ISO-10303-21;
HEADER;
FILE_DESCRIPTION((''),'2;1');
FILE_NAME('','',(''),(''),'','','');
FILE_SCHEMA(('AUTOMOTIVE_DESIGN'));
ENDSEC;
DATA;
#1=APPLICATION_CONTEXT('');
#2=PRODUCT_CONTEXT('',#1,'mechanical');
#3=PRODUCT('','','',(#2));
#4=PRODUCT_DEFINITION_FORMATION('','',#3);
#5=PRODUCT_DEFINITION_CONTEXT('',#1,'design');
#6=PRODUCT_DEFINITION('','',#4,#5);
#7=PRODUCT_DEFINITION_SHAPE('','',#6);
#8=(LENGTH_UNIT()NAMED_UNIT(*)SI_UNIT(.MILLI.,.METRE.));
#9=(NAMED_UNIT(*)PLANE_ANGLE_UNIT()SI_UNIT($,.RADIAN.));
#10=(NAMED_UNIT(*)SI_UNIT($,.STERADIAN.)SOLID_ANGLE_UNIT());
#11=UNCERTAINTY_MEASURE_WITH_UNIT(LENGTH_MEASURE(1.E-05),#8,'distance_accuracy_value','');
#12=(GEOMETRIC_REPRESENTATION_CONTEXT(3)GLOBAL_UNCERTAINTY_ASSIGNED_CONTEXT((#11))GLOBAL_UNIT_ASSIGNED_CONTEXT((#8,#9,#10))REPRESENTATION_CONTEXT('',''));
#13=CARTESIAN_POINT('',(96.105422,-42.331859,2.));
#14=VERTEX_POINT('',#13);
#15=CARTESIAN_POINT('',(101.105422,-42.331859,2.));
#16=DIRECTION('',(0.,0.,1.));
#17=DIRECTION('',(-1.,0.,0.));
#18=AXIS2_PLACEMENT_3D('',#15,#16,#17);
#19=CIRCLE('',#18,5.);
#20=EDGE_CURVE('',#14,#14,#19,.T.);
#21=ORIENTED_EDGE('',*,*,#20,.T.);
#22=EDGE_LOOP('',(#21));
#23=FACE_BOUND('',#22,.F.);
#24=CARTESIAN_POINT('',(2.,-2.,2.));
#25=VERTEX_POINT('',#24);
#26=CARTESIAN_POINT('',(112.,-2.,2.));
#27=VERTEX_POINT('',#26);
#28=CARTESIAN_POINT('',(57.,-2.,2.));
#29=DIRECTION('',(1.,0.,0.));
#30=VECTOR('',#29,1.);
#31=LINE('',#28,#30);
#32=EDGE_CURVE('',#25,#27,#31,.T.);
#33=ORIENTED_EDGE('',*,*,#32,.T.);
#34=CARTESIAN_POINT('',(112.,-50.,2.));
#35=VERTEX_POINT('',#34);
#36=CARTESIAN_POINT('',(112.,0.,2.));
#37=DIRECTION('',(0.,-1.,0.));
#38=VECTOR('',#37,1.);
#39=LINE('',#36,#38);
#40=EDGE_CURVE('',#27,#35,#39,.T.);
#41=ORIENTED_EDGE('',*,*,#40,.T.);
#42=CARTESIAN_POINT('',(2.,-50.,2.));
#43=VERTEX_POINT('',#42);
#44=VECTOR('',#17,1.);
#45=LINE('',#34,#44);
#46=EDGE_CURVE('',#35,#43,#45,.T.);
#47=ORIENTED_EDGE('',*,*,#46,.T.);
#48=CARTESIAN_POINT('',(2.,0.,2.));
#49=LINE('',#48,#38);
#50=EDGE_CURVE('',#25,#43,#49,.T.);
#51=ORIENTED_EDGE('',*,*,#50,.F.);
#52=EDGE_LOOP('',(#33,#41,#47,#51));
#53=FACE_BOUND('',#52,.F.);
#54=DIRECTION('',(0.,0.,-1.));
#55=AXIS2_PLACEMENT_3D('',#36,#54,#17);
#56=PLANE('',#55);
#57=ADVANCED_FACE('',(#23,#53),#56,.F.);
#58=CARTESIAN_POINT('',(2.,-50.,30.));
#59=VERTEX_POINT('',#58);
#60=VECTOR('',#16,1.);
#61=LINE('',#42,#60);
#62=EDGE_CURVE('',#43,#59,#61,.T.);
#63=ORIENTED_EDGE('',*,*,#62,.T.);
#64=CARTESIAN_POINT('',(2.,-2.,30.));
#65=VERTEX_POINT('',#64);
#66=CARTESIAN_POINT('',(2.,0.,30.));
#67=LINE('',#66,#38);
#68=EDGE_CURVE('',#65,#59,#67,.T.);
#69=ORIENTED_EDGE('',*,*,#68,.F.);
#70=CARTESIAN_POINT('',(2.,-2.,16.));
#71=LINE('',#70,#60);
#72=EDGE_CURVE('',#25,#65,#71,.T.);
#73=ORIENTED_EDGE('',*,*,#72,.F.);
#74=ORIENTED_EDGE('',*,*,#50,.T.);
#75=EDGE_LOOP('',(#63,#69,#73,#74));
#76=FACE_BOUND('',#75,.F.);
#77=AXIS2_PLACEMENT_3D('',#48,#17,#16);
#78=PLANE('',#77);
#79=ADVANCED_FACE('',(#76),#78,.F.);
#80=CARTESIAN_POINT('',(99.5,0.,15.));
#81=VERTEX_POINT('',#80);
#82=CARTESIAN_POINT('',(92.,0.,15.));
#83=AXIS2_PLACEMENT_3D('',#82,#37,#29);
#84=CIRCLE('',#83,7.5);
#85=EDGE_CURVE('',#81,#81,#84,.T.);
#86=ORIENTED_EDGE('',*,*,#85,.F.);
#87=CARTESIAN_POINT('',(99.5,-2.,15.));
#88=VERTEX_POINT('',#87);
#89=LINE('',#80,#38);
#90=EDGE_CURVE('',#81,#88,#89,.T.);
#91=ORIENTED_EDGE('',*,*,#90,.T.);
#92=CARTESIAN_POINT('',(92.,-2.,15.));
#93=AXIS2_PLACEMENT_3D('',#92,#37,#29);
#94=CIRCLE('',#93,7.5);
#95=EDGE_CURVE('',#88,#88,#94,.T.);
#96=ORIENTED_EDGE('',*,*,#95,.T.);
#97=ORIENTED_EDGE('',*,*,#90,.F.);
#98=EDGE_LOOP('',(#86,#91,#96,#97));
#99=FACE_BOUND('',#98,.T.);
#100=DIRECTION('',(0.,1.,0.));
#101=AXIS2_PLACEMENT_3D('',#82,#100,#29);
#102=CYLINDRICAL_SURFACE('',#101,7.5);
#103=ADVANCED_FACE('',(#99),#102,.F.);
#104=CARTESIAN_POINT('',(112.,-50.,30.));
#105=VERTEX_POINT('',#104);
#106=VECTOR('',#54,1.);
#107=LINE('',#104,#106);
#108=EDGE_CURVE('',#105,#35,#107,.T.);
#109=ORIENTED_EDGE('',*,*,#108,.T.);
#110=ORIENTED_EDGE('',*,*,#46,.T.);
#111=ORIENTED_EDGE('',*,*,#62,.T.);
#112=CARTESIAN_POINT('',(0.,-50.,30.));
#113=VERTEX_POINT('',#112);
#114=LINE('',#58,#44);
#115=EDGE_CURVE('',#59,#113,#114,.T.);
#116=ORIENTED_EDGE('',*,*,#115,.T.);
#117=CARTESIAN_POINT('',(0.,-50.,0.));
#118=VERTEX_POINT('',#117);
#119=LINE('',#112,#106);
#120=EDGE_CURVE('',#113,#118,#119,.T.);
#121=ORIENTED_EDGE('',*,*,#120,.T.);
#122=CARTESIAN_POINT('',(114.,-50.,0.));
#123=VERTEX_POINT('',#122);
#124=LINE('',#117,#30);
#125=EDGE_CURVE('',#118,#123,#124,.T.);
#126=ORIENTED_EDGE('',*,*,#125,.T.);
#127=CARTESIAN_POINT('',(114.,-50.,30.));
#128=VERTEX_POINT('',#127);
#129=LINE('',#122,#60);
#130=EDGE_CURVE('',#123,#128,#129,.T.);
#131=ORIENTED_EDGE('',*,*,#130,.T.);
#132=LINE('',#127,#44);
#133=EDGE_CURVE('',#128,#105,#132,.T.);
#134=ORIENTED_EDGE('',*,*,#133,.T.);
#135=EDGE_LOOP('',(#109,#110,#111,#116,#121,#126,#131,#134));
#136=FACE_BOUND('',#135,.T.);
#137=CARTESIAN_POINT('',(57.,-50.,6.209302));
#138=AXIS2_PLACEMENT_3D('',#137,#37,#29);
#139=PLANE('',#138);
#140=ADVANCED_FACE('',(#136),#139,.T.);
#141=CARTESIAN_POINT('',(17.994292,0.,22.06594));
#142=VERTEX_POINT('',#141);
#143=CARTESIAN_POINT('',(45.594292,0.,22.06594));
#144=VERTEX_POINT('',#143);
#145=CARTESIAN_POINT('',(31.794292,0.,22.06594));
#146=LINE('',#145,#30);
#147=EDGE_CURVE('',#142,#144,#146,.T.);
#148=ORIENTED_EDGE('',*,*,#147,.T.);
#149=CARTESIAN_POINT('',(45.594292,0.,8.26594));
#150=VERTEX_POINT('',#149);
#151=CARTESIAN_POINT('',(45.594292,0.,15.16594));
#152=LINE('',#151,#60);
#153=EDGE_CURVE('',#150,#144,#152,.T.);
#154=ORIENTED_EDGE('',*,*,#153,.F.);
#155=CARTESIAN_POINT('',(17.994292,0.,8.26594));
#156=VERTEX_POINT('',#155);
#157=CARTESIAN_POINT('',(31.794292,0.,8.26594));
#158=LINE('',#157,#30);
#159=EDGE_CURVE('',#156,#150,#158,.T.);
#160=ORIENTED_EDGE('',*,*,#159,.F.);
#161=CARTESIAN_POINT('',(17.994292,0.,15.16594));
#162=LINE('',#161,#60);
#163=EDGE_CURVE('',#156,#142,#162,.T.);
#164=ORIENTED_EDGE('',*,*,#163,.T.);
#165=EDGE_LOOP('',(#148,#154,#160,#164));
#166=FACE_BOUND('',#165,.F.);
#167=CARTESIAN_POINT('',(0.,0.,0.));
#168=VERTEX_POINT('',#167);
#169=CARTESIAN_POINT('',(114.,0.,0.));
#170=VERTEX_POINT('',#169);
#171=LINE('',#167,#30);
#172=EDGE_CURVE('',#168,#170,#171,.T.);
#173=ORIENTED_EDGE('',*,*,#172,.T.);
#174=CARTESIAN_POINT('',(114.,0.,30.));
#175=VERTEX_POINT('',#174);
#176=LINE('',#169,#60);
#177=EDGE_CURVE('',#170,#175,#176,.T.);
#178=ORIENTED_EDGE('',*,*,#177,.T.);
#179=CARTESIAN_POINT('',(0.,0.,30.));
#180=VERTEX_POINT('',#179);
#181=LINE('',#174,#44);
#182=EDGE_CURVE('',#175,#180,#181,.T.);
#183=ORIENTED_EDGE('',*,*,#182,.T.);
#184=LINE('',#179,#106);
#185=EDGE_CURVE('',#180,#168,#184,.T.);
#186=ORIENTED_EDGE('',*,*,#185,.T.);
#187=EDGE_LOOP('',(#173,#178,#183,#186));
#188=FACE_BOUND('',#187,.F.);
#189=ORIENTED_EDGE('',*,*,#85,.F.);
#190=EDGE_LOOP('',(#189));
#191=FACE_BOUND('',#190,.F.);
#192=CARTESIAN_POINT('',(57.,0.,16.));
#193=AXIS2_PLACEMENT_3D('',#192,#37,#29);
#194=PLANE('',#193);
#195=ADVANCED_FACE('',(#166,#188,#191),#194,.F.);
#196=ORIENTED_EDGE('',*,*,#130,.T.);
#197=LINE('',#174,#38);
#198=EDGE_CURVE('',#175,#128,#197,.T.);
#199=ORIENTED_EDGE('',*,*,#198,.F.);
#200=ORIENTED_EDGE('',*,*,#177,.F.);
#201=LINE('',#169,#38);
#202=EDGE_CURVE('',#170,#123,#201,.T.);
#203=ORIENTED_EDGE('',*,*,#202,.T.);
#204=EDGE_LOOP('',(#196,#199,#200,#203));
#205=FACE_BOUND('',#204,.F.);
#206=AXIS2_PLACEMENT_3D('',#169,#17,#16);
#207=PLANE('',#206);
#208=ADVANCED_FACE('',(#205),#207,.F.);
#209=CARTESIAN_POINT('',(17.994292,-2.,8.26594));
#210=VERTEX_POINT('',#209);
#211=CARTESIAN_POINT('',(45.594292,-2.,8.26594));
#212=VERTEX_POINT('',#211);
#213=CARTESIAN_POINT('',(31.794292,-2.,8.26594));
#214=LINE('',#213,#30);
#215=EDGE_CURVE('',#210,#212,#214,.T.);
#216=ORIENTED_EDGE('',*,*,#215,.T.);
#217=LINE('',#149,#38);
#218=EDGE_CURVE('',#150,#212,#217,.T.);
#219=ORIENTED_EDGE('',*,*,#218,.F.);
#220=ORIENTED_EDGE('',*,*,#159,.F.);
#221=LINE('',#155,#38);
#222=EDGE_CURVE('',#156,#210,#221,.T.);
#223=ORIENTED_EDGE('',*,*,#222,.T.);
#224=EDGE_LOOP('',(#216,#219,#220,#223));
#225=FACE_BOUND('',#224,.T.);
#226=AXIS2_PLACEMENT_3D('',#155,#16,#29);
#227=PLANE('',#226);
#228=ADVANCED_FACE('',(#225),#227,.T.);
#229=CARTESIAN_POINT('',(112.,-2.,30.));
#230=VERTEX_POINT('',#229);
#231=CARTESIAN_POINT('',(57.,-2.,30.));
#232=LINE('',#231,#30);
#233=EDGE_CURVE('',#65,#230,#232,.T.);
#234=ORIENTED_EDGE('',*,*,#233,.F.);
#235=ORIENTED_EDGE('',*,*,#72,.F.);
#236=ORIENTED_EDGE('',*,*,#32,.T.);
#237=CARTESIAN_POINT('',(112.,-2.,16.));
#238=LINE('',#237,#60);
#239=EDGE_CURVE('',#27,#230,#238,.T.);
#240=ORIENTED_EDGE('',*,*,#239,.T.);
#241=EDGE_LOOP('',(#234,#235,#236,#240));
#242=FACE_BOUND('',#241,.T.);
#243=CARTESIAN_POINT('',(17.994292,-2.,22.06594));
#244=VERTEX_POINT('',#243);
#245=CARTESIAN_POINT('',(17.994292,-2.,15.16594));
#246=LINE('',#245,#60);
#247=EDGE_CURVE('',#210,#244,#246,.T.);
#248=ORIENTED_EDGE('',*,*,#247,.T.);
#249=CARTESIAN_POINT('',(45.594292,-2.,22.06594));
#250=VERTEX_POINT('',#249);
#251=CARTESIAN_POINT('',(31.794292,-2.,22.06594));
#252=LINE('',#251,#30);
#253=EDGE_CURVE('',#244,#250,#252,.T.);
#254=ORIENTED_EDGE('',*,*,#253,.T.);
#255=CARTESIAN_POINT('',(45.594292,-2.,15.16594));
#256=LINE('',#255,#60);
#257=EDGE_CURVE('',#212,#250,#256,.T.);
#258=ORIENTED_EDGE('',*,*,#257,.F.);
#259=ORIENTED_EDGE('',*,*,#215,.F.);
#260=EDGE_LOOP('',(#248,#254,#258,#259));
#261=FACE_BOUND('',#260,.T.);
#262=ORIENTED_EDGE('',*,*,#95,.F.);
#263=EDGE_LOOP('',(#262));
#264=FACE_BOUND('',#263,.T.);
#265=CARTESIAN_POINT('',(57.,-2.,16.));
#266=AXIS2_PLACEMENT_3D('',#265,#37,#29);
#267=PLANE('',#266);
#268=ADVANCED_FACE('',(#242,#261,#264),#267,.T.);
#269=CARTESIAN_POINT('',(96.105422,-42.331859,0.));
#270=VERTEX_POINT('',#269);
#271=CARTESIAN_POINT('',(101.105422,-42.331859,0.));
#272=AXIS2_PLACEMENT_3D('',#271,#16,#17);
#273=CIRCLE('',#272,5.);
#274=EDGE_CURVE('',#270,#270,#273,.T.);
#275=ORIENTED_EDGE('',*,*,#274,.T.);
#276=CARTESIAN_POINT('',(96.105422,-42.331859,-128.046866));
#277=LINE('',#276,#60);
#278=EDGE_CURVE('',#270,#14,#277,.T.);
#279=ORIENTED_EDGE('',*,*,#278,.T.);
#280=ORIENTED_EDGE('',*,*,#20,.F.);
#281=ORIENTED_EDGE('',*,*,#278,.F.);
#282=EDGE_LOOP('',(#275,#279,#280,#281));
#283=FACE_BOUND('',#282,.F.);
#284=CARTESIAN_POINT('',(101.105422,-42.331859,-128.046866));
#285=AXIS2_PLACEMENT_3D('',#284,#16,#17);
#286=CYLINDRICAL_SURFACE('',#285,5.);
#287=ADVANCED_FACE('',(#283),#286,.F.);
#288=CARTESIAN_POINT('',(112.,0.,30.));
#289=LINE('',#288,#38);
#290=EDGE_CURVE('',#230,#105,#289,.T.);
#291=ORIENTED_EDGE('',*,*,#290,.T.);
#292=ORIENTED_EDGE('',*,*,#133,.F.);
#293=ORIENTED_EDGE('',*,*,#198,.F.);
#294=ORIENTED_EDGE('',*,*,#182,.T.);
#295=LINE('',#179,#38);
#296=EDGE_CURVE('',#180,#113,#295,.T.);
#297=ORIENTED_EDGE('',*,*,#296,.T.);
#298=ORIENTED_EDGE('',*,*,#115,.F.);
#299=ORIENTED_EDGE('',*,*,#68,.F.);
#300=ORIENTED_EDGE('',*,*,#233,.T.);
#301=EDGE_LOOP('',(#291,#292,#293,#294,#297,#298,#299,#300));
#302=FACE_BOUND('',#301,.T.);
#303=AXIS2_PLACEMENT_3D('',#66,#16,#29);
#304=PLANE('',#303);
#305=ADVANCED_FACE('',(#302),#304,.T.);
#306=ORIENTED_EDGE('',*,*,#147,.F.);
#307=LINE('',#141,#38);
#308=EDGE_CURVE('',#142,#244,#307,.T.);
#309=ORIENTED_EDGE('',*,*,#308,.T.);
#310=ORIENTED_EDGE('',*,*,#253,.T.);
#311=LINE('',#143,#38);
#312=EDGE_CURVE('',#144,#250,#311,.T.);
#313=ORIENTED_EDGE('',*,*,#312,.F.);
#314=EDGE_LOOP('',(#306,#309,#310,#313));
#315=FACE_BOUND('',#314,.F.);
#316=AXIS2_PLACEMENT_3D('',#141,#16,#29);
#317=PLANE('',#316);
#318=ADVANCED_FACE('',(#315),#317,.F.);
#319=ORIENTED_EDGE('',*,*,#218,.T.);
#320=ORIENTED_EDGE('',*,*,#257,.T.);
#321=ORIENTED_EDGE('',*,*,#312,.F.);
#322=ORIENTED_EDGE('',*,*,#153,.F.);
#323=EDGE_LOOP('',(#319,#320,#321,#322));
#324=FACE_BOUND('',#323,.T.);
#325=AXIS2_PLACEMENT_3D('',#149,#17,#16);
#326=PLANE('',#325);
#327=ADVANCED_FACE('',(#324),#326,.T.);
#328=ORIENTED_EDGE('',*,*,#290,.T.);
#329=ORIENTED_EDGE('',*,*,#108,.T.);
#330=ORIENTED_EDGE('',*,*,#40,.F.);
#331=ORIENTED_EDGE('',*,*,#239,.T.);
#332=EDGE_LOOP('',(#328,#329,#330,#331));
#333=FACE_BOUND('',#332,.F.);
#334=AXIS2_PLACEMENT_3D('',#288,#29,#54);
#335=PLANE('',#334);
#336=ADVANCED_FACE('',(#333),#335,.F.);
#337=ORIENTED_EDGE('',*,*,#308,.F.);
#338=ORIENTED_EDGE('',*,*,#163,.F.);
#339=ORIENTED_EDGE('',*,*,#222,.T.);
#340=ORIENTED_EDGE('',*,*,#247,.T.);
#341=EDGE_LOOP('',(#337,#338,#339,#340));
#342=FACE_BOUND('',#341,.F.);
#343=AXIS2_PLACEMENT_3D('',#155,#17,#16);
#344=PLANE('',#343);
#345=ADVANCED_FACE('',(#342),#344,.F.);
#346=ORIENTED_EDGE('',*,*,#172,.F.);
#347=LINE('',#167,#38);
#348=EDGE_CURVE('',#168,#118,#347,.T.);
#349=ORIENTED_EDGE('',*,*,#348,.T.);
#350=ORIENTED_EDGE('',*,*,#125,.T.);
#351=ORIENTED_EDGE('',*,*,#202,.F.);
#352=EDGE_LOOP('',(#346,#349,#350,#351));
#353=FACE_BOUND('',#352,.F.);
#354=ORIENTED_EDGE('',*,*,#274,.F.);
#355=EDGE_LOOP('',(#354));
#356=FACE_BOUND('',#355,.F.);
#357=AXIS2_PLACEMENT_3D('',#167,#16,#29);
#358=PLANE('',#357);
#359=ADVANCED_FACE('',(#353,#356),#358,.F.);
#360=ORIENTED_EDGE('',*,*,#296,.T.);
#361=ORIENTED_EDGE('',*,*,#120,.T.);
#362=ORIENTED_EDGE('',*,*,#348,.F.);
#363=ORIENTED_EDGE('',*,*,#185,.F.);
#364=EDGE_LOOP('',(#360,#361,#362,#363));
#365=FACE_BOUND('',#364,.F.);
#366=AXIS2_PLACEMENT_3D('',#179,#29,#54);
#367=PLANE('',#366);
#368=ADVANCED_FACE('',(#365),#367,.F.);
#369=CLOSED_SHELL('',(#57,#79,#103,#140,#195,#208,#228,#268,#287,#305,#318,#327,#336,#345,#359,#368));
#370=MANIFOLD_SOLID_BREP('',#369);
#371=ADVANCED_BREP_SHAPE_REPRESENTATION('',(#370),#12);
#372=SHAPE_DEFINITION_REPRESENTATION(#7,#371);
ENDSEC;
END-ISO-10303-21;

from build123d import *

# Parameters (mm, degrees)
F1_DEPTH = 50
F0_W     = 110
F0_H     = 28
F0_R     = 7.5
F0_W_2   = 27.6
F0_H_2   = 13.8
F2_DEPTH = 2
F4_D     = 10


with BuildPart() as f1:
    # F0 (on Front) → F1 (new body)
    with BuildSketch(Plane.XZ):
        Polygon((0, 30), (0, 0), (114, 0), (114, 30), (112, 30), (112, 2), (2, 2), (2, 30), align=None)
    extrude(amount=F1_DEPTH)

    # F0 (on Front) → F2 (join)
    with BuildSketch(Plane.XZ):
        with Locations((57, 16)):
            Rectangle(F0_W, F0_H)
        with Locations((92.0000001788, 14.9999996647)):
            Circle(F0_R, mode=Mode.SUBTRACT)
        with Locations((31.7942920804, 15.1659395412)):
            Rectangle(F0_W_2, F0_H_2, mode=Mode.SUBTRACT)
    extrude(amount=F2_DEPTH)

    # F4 (through all)
    with Locations(Plane(origin=(0, 0, 0), x_dir=(1, 0, 0), z_dir=(0, 0, -1))):
        with Locations((101.1054217815, 42.3318594694)):
            Hole(F4_D / 2)


solid = f1.part
